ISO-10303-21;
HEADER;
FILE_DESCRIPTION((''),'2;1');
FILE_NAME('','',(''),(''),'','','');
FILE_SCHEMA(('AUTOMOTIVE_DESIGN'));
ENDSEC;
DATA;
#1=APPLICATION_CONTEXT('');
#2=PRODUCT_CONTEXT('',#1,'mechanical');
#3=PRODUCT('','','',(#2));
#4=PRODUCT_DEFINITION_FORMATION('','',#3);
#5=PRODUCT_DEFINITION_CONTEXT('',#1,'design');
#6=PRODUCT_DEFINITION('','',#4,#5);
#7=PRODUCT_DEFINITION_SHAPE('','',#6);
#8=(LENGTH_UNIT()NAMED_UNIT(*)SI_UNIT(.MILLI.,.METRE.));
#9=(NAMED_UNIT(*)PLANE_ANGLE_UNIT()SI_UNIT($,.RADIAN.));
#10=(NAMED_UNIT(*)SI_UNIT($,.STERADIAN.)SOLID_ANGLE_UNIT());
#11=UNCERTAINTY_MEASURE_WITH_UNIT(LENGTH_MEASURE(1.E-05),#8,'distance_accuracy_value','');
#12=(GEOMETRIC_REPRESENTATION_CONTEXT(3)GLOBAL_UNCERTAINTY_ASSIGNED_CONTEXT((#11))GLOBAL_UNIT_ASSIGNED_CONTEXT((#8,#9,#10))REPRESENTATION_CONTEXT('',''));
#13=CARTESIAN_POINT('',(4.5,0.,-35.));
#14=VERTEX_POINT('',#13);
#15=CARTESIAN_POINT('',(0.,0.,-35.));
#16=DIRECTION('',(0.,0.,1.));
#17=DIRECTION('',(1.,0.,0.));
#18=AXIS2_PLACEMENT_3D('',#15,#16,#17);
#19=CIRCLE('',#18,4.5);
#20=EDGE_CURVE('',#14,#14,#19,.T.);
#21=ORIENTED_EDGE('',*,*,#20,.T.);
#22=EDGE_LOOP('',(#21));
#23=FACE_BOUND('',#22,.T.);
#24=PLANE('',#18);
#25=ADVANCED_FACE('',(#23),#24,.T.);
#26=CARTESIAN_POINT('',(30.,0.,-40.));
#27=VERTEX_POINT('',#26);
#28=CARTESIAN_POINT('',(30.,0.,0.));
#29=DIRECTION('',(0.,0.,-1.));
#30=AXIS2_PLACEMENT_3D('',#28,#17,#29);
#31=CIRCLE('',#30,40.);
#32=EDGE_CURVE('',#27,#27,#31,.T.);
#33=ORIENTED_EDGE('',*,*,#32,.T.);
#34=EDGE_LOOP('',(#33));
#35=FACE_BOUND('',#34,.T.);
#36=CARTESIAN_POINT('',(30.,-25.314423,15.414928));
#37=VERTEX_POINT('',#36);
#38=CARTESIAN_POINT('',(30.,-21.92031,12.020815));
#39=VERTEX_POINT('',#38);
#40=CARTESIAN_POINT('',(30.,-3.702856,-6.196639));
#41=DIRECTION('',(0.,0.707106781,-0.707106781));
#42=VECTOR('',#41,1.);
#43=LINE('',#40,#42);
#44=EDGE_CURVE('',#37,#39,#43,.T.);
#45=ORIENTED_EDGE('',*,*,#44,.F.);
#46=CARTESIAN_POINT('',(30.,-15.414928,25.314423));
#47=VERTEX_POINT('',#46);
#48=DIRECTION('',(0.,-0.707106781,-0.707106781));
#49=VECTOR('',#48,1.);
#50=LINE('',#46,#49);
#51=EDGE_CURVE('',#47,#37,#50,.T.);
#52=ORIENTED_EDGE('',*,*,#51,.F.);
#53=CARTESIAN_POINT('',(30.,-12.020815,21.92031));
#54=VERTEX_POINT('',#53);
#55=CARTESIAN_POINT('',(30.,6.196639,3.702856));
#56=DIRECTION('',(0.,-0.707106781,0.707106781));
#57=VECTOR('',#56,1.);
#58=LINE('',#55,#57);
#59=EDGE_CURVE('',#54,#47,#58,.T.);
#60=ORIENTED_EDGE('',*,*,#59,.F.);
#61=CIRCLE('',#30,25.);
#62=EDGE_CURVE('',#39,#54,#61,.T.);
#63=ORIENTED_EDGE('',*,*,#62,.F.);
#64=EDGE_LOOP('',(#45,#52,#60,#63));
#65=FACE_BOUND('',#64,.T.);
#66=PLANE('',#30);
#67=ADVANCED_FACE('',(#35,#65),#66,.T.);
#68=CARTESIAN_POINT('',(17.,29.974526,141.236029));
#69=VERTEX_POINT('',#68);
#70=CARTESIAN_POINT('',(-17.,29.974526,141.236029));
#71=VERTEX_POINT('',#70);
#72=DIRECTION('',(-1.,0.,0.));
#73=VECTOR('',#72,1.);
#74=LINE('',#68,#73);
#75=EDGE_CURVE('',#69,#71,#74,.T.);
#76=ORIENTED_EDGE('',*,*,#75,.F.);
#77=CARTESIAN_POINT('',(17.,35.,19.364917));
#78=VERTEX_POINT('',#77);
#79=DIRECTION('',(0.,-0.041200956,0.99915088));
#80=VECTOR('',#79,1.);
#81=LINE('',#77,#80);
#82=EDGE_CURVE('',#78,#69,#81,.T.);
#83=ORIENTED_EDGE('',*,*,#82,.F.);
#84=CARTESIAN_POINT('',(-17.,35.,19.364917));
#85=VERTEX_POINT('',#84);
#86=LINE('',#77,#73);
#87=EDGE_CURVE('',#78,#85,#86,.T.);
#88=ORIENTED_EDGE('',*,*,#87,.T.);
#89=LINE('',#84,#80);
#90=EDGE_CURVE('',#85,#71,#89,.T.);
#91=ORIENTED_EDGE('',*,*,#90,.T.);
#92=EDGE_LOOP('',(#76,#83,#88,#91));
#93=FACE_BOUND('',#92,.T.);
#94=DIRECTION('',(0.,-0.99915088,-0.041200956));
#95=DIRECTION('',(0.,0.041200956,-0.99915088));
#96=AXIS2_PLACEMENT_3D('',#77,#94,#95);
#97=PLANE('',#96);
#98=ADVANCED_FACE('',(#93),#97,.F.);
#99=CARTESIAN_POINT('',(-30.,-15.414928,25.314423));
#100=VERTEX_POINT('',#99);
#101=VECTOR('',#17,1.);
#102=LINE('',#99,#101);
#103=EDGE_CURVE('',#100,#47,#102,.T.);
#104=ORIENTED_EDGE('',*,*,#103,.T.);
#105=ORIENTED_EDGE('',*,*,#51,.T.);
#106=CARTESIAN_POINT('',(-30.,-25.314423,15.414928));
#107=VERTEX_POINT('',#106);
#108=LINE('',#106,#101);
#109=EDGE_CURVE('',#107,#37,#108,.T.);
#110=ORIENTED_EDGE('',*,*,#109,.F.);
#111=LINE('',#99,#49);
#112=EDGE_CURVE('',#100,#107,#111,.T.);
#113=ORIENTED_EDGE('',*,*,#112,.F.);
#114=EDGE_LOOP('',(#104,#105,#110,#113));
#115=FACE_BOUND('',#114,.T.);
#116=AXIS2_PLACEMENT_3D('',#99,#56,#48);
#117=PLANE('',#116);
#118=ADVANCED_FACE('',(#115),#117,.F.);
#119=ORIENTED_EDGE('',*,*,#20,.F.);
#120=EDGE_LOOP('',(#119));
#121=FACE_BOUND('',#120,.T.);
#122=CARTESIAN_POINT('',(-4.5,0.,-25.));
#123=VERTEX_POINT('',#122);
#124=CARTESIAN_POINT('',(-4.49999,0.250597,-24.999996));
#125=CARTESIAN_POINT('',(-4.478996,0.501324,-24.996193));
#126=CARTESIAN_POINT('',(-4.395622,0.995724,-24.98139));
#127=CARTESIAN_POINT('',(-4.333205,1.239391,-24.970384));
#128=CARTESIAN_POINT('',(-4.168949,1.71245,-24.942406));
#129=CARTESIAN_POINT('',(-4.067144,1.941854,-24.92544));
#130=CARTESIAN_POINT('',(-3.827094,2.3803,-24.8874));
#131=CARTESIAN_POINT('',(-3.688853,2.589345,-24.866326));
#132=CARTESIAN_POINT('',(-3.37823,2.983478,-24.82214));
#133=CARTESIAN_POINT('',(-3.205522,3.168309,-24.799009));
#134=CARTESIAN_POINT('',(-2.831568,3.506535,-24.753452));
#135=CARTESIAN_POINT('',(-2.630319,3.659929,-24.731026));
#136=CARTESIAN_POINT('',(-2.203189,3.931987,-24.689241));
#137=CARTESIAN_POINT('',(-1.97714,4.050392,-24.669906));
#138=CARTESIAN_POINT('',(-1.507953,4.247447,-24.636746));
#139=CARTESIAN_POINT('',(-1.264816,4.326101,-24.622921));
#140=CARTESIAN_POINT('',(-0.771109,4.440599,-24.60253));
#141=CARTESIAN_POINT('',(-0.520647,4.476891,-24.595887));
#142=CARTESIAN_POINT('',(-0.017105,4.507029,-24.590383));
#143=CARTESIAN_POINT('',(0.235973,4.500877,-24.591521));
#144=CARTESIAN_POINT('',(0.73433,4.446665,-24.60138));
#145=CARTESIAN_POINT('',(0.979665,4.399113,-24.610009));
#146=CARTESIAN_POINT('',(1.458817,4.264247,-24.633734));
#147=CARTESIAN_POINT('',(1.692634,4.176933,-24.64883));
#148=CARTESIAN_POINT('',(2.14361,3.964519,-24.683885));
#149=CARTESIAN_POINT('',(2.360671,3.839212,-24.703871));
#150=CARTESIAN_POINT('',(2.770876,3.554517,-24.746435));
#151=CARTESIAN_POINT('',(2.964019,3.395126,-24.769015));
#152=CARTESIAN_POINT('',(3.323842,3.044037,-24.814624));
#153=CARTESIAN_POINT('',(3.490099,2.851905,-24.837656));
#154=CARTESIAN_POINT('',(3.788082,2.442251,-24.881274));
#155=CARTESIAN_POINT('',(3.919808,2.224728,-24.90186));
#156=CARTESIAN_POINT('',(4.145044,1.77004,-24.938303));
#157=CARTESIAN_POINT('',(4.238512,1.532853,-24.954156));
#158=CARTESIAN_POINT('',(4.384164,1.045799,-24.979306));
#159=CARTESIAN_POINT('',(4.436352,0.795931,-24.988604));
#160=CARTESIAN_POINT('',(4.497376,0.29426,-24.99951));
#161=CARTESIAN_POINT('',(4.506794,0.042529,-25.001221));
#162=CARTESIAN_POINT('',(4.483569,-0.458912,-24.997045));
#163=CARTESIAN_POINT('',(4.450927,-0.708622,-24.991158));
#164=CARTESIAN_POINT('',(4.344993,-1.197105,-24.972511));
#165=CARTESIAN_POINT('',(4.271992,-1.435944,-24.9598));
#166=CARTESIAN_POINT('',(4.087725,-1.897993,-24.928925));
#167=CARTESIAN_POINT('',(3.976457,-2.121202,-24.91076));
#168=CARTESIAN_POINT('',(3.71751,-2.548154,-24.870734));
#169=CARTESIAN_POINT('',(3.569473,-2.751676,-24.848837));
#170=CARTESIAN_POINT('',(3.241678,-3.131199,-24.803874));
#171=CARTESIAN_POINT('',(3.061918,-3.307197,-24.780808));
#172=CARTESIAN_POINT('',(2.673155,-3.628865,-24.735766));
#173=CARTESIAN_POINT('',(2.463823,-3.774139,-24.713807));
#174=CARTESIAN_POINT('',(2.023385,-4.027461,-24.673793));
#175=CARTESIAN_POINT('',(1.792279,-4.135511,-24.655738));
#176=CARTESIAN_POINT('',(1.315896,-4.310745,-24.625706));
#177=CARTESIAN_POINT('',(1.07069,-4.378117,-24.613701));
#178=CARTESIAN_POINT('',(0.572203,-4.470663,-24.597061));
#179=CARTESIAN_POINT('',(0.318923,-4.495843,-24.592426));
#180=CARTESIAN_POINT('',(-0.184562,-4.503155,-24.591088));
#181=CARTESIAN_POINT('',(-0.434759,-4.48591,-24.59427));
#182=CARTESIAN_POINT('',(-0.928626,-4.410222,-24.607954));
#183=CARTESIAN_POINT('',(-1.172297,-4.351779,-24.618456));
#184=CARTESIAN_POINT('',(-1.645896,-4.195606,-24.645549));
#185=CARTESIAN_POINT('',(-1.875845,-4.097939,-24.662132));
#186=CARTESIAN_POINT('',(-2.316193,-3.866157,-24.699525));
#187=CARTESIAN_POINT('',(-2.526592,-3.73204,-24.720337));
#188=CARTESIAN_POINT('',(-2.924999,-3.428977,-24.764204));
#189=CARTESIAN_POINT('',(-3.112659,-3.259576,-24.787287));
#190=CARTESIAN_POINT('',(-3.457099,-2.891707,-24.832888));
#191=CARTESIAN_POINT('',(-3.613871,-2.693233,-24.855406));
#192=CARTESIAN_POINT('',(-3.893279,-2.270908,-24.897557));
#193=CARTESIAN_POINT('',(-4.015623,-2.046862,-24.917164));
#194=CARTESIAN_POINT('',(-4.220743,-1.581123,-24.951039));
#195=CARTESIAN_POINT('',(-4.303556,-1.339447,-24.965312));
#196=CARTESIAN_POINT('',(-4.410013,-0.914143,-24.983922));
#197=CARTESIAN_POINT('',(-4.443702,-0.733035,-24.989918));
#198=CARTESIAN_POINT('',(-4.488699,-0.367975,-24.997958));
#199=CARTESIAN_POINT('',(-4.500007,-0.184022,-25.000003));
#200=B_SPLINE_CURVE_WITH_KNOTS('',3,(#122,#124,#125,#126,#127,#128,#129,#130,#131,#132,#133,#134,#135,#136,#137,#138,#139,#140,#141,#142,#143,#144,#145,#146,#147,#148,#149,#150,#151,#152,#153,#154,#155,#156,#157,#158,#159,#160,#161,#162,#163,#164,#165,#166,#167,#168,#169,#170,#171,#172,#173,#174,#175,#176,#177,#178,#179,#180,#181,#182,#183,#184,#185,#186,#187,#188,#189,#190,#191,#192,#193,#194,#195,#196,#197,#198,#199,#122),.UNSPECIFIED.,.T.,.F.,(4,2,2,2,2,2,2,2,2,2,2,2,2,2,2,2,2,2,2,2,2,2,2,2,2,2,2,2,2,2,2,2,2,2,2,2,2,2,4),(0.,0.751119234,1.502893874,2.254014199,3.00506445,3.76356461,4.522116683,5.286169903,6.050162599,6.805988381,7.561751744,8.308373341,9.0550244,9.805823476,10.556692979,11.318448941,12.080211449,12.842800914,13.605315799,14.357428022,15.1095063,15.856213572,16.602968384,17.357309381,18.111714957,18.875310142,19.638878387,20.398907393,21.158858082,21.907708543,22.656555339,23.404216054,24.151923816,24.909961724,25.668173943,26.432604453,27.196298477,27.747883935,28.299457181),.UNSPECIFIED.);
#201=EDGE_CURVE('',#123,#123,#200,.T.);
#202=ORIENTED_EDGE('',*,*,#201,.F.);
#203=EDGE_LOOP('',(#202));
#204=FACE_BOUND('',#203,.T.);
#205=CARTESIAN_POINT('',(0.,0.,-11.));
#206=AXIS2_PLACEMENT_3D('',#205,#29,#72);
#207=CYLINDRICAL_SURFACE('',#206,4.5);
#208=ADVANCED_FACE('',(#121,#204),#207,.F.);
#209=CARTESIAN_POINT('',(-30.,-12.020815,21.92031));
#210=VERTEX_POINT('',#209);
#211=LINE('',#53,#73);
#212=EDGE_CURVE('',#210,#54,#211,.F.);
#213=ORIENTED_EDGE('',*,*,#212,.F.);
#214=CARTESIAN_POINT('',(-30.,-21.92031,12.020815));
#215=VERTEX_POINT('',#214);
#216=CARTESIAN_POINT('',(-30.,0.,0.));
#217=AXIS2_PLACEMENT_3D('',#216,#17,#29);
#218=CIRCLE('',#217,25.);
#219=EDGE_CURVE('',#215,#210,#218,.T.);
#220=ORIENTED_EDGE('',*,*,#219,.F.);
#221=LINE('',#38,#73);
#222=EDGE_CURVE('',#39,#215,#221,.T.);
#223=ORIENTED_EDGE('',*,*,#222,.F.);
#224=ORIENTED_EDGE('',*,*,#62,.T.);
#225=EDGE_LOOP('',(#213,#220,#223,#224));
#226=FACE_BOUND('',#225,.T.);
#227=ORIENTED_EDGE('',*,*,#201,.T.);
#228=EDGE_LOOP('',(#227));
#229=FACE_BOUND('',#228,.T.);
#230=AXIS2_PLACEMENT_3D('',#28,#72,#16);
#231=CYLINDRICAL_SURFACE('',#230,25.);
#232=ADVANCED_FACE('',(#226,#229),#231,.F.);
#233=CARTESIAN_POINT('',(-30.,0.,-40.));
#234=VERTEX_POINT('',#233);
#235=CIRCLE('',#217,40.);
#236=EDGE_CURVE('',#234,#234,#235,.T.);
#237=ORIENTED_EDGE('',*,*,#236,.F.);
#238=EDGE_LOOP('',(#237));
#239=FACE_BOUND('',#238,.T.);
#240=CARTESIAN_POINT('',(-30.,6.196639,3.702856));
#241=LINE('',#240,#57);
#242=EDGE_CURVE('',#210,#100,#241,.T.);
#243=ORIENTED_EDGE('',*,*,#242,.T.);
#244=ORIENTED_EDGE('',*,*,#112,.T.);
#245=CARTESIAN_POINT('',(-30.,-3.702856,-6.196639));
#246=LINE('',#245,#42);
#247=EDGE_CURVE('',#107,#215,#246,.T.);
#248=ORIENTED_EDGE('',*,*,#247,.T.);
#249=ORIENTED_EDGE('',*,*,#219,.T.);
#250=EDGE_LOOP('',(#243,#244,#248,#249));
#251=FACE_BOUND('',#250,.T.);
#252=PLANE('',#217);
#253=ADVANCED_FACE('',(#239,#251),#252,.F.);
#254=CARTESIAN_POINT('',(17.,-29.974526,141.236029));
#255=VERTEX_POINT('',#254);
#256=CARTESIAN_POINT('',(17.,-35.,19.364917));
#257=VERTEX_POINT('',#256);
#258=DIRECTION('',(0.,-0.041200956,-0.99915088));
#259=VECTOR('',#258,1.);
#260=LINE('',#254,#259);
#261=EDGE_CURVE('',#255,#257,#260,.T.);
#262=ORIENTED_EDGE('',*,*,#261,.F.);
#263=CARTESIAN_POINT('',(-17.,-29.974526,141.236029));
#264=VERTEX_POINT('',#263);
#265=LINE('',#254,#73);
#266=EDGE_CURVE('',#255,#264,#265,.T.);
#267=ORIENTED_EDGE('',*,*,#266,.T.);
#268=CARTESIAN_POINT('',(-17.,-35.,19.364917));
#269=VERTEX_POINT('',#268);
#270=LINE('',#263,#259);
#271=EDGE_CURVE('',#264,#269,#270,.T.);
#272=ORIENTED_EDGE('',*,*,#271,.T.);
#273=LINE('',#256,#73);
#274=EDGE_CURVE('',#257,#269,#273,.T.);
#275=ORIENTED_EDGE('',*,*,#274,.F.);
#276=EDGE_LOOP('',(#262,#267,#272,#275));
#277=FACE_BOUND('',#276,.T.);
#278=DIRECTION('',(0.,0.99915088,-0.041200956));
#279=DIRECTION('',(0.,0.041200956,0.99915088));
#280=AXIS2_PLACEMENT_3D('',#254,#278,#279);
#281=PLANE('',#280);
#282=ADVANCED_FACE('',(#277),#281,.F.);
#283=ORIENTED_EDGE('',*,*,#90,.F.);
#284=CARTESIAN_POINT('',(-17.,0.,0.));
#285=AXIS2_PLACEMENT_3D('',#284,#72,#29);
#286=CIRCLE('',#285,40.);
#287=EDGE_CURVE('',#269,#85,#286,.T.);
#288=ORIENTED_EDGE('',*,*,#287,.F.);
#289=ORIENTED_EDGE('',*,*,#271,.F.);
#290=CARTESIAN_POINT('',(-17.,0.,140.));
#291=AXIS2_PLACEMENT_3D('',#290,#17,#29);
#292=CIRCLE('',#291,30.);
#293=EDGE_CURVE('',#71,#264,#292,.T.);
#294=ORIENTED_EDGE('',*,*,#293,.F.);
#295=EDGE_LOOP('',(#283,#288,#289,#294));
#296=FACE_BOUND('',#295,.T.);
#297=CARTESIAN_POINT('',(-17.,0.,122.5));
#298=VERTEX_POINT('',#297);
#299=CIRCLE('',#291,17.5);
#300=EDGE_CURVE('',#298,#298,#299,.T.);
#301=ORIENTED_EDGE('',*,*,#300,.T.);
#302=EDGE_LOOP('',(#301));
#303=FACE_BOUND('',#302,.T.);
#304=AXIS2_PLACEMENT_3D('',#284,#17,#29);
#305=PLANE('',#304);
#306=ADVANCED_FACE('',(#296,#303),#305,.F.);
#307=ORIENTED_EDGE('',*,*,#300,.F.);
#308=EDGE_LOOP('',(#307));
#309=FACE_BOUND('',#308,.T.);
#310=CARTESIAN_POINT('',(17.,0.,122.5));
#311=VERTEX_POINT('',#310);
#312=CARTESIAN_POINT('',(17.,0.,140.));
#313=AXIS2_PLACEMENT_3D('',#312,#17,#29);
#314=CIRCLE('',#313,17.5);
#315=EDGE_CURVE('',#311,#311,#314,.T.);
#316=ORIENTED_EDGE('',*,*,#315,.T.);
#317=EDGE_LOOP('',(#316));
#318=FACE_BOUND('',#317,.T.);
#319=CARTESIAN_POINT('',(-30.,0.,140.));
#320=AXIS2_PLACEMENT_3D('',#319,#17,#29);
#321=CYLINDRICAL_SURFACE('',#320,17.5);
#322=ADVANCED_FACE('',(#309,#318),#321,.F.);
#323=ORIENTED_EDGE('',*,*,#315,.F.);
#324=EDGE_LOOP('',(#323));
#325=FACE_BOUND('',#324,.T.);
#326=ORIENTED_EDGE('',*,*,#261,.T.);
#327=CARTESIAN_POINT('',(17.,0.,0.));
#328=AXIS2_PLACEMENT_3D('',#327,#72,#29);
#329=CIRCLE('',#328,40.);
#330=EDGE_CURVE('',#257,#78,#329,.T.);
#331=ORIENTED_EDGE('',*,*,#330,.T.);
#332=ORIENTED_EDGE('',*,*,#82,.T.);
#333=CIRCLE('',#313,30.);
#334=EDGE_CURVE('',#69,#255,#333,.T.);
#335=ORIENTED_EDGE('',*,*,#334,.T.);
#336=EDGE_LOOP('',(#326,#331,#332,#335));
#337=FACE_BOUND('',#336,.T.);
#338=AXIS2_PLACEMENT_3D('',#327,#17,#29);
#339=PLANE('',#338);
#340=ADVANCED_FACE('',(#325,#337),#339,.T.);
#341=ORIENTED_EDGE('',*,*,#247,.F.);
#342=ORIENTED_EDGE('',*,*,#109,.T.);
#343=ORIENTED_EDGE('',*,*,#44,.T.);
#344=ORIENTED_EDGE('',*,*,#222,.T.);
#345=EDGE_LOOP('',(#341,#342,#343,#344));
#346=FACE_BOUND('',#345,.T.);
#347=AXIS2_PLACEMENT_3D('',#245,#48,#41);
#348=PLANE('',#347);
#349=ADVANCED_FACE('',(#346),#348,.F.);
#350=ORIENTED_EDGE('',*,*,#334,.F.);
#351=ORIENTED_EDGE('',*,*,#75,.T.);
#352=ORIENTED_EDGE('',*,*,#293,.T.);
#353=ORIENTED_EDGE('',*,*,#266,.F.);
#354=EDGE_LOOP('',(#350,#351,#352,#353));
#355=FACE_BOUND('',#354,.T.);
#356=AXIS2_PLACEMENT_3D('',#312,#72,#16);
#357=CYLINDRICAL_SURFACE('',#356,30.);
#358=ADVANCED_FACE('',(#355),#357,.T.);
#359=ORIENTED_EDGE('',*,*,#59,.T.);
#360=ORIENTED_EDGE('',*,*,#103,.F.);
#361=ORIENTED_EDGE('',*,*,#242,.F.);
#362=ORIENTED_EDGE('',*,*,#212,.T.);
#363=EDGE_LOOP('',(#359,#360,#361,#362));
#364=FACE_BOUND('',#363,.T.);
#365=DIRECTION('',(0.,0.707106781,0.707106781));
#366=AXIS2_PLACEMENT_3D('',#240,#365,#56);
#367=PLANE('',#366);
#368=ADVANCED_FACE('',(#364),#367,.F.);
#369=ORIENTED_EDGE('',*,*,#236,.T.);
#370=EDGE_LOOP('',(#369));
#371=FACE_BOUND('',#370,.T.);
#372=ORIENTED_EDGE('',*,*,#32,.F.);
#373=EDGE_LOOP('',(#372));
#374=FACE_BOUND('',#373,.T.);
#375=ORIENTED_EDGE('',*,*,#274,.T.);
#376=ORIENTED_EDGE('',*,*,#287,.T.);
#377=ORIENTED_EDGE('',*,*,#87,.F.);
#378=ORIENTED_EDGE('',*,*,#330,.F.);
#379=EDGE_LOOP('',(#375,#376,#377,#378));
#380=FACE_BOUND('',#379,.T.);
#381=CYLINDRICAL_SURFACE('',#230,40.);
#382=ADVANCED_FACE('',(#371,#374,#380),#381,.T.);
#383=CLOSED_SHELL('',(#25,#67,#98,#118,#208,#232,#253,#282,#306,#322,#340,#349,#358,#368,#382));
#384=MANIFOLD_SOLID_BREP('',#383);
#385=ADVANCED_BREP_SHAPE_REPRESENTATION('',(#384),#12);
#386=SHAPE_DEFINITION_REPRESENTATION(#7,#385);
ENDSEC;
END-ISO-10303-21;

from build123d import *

# Parameters (mm, degrees)
SKETCH1_R           = 40
SKETCH1_R_2         = 25
BOSS_EXTRUDE1_DEPTH = 30
BOSS_EXTRUDE2_DEPTH = 17
SKETCH3_R           = 17.5
CUT_EXTRUDE1_DEPTH  = 181.856296545
CUT_EXTRUDE2_DEPTH  = 185.661853126
SKETCH6_R           = 4.5
CUT_EXTRUDE3_DEPTH  = 24


with BuildPart() as part:
    # Sketch1 → Boss-Extrude1 (new, symmetric)
    with BuildSketch(Plane(origin=(0, 0, 0), x_dir=(0, 0, -1), z_dir=(1, 0, 0))):
        Circle(SKETCH1_R)
        Circle(SKETCH1_R_2, mode=Mode.SUBTRACT)
    extrude(amount=BOSS_EXTRUDE1_DEPTH, both=True)

    # Sketch2 → Boss-Extrude2 (add, symmetric)
    with BuildSketch(Plane(origin=(0, 0, 0), x_dir=(0, 0, -1), z_dir=(1, 0, 0))):
        with BuildLine():
            Line((-19.364916731, 35), (-141.236028691, 29.974526403))
            ThreePointArc((-141.236028691, 29.974526403), (-170, 0), (-141.236028691, -29.974526403))
            Line((-141.236028691, -29.974526403), (-19.364916731, -35))
            ThreePointArc((-19.364916731, -35), (-40, 0), (-19.364916731, 35))
        make_face()
    extrude(amount=BOSS_EXTRUDE2_DEPTH, both=True)

    # Sketch3 → Cut-Extrude1 (cut, through all)
    with BuildSketch(Plane(origin=(17, 0, 0), x_dir=(0, 0, -1), z_dir=(1, 0, 0))):
        with Locations((-140, 0)):
            Circle(SKETCH3_R)
    extrude(amount=-CUT_EXTRUDE1_DEPTH, mode=Mode.SUBTRACT)

    # Sketch5 → Cut-Extrude2 (cut, through all)
    with BuildSketch(Plane(origin=(30, 0, 0), x_dir=(0, 0, -1), z_dir=(1, 0, 0))):
        Polygon((-3.702856162, 6.196638775), (-25.314422766, -15.41492783), (-15.41492783, -25.314422766), (6.196638775, -3.702856162), align=None)
    extrude(amount=-CUT_EXTRUDE2_DEPTH, mode=Mode.SUBTRACT)

    # Sketch6 → Cut-Extrude3 (cut)
    with BuildSketch(Plane.XY.offset(-35)):
        with Locations(Location((0, 0, 0), (0, 0, 180))):
            Circle(SKETCH6_R)
    extrude(amount=CUT_EXTRUDE3_DEPTH, mode=Mode.SUBTRACT)


solid = part.part
